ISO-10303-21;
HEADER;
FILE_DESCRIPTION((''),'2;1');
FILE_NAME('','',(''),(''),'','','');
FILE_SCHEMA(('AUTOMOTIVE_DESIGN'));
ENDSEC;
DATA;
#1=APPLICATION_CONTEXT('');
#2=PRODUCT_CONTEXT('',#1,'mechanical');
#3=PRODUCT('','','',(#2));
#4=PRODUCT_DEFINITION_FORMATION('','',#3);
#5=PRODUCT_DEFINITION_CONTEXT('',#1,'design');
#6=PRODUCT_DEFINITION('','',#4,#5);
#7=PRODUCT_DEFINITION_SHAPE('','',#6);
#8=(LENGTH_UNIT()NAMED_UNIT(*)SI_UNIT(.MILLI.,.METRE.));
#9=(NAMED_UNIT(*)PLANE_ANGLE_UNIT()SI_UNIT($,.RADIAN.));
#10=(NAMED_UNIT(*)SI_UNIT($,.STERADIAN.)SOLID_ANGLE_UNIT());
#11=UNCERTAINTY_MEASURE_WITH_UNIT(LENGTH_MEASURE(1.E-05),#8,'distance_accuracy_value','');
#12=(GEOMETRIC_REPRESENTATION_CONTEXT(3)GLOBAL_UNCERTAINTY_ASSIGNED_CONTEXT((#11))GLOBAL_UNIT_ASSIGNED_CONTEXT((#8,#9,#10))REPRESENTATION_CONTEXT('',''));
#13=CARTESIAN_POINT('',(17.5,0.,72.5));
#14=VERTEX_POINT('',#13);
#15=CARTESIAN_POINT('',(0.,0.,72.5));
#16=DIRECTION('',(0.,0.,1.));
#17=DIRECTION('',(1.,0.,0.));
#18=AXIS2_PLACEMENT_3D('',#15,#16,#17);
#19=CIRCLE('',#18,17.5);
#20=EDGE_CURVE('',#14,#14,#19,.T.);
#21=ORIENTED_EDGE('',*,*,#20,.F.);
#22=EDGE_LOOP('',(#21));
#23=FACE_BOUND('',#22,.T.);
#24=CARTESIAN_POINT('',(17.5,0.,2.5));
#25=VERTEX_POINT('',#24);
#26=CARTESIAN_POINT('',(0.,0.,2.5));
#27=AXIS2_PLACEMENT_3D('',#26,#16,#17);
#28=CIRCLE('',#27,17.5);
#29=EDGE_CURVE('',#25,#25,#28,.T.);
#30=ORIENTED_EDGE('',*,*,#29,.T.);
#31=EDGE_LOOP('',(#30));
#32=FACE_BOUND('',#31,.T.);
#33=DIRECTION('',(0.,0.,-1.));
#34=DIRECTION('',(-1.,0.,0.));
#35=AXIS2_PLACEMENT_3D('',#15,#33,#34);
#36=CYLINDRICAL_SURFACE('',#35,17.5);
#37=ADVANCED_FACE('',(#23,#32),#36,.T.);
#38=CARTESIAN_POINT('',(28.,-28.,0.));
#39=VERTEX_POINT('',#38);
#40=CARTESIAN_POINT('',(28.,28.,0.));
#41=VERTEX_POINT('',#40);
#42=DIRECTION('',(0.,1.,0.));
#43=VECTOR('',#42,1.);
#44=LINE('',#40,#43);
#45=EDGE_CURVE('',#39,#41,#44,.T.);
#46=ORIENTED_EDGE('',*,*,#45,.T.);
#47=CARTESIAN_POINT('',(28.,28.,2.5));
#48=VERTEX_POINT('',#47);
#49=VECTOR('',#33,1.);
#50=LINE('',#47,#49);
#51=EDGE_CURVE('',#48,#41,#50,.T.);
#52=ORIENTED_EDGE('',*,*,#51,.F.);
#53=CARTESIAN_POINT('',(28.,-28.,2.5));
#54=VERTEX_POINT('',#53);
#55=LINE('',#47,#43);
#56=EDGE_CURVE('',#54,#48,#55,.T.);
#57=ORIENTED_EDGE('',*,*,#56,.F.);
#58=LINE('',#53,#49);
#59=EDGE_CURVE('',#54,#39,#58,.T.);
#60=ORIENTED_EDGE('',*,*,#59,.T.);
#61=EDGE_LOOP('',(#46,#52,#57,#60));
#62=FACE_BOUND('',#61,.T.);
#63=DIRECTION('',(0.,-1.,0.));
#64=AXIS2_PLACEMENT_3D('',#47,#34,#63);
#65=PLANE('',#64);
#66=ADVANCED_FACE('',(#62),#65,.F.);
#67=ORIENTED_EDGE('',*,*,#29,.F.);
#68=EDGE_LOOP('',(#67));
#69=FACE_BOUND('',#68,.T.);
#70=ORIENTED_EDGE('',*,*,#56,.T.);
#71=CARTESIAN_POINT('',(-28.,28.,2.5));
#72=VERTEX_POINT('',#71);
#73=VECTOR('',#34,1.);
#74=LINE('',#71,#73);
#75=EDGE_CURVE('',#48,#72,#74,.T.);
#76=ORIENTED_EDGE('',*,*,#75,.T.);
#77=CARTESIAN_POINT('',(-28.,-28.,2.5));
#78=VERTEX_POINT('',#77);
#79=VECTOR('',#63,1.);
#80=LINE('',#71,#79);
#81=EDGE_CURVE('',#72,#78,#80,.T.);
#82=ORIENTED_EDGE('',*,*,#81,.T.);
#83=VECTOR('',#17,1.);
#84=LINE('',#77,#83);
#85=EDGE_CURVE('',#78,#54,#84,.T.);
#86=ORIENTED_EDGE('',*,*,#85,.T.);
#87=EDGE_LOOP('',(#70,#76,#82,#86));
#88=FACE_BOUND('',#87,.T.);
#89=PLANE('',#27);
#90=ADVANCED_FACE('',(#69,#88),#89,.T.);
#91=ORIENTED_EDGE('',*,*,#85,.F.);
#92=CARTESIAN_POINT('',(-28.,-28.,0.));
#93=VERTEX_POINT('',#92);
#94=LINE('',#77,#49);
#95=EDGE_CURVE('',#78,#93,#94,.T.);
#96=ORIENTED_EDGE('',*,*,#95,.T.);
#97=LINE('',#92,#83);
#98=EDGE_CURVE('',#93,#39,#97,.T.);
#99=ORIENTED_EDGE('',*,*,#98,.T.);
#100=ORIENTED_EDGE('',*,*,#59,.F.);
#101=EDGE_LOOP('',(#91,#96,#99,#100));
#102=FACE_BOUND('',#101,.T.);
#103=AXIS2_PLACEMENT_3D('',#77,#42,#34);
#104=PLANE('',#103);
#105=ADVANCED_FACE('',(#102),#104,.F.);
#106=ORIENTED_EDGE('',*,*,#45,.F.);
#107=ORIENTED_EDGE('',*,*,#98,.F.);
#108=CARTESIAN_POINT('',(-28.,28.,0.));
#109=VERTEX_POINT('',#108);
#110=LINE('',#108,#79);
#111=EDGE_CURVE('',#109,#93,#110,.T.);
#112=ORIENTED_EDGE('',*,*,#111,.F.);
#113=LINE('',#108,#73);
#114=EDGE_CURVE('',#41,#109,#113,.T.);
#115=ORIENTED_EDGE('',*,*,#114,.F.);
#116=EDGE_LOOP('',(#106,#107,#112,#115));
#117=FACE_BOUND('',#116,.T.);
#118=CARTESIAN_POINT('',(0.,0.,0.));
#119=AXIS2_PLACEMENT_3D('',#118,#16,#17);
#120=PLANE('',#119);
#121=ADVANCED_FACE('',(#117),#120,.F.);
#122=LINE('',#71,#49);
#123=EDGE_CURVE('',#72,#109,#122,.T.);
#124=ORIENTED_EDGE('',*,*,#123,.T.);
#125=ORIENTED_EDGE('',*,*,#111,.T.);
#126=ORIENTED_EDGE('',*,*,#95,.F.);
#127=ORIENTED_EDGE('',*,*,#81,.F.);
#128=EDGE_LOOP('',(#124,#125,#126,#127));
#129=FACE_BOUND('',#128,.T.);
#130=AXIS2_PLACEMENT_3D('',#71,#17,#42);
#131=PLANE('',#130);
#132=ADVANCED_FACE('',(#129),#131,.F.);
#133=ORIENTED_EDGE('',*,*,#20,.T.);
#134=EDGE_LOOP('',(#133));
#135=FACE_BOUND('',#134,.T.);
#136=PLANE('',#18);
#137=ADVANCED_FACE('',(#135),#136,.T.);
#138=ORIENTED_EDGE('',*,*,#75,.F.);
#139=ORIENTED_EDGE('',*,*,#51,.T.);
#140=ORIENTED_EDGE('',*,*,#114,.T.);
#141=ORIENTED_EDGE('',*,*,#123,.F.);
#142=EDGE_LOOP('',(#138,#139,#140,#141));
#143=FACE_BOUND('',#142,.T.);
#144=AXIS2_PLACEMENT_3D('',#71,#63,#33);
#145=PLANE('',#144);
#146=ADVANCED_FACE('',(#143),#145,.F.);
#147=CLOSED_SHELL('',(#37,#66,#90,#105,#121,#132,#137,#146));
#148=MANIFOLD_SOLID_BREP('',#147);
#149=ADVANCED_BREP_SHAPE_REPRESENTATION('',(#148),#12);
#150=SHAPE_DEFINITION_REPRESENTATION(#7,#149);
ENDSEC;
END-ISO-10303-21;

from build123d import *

# Parameters (mm, degrees)
SKETCH1_W           = 56
SKETCH1_H           = 56
BOSS_EXTRUDE1_DEPTH = 2.5
SKETCH2_R           = 17.5
BOSS_EXTRUDE2_DEPTH = 70


with BuildPart() as part:
    # Sketch1 → Boss-Extrude1 (new body)
    with BuildSketch(Plane.XY):
        Rectangle(SKETCH1_W, SKETCH1_H)
    extrude(amount=BOSS_EXTRUDE1_DEPTH)

    # Sketch2 → Boss-Extrude2 (add)
    with BuildSketch(Plane.XY.offset(2.5)):
        Circle(SKETCH2_R)
    extrude(amount=BOSS_EXTRUDE2_DEPTH)


solid = part.part
